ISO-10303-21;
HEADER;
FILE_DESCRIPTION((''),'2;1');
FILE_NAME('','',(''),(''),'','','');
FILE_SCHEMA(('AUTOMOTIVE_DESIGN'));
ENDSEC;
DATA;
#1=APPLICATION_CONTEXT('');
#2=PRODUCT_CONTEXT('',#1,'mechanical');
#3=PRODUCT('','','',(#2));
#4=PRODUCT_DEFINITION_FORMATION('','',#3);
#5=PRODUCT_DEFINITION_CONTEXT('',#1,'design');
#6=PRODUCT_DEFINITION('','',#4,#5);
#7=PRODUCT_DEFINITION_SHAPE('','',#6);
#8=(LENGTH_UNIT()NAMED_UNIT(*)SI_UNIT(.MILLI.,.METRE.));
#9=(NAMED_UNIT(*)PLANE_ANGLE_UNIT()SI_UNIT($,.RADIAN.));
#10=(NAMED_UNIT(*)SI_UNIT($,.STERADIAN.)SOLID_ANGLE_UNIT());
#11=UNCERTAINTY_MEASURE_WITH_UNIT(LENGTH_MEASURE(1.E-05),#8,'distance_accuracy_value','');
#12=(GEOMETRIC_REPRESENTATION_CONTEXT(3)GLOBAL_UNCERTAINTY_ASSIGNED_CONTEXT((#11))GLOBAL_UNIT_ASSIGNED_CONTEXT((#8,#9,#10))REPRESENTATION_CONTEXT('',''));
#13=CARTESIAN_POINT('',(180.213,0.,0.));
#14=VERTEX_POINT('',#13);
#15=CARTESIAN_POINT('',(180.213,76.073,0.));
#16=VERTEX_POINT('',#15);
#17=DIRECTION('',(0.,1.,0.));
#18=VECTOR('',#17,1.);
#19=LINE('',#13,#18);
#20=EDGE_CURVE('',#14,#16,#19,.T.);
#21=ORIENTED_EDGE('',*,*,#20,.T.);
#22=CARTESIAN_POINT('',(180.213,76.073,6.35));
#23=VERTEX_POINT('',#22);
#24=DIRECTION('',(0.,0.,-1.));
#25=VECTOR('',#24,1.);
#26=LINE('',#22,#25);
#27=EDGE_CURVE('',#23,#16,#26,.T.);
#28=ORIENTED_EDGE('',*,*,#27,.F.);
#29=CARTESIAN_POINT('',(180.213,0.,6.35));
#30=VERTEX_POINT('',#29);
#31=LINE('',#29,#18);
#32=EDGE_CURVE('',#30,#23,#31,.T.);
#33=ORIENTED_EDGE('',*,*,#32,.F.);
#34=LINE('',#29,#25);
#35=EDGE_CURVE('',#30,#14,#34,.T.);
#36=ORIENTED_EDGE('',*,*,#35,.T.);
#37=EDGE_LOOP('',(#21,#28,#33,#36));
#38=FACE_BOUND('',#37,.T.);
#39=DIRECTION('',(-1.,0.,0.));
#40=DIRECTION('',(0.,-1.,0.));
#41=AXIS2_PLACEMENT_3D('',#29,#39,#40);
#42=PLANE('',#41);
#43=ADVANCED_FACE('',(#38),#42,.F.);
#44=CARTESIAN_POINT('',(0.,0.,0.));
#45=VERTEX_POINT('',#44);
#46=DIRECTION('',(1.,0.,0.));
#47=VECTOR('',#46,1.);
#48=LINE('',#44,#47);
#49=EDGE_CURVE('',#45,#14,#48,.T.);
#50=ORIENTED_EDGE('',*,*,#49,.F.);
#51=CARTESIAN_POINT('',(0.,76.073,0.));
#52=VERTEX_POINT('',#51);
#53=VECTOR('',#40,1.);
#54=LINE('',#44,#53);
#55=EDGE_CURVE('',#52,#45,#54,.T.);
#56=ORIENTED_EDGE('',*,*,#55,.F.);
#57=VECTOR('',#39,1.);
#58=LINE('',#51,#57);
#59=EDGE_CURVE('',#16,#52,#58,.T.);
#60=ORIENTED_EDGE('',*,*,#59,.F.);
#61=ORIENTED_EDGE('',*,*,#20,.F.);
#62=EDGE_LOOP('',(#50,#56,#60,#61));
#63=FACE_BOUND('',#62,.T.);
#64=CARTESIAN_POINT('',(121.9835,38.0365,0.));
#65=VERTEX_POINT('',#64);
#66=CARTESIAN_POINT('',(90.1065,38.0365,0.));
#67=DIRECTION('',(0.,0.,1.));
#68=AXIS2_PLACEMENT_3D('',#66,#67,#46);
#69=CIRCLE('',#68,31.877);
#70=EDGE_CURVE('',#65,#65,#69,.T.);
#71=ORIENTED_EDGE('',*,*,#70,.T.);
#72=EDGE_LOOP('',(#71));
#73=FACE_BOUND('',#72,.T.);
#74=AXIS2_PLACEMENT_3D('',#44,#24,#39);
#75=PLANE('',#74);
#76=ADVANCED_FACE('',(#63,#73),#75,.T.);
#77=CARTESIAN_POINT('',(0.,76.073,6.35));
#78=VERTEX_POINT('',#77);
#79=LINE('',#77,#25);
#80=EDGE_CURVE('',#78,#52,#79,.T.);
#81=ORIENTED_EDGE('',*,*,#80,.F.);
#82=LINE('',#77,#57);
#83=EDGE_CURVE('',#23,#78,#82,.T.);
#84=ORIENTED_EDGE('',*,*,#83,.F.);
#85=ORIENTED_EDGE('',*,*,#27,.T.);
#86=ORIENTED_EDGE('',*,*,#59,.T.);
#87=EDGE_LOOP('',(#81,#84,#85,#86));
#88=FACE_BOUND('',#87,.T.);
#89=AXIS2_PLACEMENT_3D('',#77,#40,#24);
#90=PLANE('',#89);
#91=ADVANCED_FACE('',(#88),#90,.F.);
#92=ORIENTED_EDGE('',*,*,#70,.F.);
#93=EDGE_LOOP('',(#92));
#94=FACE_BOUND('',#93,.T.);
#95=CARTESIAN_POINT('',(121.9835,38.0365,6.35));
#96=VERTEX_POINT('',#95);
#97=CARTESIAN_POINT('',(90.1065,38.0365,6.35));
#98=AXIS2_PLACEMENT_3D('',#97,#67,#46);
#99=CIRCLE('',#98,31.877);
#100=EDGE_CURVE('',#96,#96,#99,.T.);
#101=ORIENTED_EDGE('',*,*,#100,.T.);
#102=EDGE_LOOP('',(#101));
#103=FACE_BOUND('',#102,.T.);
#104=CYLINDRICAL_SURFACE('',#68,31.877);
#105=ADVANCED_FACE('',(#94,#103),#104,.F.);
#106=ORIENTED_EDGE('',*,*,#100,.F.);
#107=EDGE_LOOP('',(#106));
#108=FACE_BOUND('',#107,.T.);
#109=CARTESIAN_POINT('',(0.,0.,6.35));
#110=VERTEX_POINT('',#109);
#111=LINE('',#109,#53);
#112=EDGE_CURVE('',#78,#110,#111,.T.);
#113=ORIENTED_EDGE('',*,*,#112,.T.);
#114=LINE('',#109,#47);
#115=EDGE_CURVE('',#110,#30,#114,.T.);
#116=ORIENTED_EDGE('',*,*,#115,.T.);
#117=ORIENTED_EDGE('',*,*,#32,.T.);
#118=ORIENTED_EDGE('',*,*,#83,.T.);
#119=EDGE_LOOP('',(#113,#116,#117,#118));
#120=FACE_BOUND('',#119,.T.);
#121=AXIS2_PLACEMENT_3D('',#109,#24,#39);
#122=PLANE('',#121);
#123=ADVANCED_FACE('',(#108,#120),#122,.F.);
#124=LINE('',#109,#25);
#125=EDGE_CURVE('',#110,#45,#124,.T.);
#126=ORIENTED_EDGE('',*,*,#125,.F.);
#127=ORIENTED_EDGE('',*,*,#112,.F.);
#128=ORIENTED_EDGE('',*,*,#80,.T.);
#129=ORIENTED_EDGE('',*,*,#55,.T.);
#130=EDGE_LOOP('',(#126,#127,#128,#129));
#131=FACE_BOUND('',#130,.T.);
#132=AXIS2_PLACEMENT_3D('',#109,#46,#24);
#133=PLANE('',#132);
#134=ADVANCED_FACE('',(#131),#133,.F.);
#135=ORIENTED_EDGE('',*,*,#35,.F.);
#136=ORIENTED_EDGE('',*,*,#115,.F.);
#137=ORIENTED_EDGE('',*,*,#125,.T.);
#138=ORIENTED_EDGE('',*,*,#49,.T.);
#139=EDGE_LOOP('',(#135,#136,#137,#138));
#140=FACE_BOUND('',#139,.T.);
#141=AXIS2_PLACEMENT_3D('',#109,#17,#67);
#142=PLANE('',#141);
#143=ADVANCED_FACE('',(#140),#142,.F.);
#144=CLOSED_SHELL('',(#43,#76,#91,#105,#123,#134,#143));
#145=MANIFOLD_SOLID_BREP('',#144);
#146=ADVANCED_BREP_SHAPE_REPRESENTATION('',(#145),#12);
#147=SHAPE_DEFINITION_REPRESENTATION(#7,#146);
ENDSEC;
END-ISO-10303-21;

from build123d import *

# Parameters (mm, degrees)
SKETCH1_W           = 180.213
SKETCH1_H           = 76.073
BOSS_EXTRUDE1_DEPTH = 6.35
SKETCH4_R           = 31.877
CUT_EXTRUDE1_DEPTH  = 196.714458326


with BuildPart() as part:
    # Sketch1 → Boss-Extrude1 (new body)
    with BuildSketch(Plane.XY):
        with Locations((90.1065, 38.0365)):
            Rectangle(SKETCH1_W, SKETCH1_H)
    extrude(amount=BOSS_EXTRUDE1_DEPTH)

    # Sketch4 → Cut-Extrude1 (cut, through all)
    with BuildSketch(Plane.XY.offset(6.35)):
        with Locations((90.1065, 38.0365)):
            Circle(SKETCH4_R)
    extrude(amount=-CUT_EXTRUDE1_DEPTH, mode=Mode.SUBTRACT)


solid = part.part
